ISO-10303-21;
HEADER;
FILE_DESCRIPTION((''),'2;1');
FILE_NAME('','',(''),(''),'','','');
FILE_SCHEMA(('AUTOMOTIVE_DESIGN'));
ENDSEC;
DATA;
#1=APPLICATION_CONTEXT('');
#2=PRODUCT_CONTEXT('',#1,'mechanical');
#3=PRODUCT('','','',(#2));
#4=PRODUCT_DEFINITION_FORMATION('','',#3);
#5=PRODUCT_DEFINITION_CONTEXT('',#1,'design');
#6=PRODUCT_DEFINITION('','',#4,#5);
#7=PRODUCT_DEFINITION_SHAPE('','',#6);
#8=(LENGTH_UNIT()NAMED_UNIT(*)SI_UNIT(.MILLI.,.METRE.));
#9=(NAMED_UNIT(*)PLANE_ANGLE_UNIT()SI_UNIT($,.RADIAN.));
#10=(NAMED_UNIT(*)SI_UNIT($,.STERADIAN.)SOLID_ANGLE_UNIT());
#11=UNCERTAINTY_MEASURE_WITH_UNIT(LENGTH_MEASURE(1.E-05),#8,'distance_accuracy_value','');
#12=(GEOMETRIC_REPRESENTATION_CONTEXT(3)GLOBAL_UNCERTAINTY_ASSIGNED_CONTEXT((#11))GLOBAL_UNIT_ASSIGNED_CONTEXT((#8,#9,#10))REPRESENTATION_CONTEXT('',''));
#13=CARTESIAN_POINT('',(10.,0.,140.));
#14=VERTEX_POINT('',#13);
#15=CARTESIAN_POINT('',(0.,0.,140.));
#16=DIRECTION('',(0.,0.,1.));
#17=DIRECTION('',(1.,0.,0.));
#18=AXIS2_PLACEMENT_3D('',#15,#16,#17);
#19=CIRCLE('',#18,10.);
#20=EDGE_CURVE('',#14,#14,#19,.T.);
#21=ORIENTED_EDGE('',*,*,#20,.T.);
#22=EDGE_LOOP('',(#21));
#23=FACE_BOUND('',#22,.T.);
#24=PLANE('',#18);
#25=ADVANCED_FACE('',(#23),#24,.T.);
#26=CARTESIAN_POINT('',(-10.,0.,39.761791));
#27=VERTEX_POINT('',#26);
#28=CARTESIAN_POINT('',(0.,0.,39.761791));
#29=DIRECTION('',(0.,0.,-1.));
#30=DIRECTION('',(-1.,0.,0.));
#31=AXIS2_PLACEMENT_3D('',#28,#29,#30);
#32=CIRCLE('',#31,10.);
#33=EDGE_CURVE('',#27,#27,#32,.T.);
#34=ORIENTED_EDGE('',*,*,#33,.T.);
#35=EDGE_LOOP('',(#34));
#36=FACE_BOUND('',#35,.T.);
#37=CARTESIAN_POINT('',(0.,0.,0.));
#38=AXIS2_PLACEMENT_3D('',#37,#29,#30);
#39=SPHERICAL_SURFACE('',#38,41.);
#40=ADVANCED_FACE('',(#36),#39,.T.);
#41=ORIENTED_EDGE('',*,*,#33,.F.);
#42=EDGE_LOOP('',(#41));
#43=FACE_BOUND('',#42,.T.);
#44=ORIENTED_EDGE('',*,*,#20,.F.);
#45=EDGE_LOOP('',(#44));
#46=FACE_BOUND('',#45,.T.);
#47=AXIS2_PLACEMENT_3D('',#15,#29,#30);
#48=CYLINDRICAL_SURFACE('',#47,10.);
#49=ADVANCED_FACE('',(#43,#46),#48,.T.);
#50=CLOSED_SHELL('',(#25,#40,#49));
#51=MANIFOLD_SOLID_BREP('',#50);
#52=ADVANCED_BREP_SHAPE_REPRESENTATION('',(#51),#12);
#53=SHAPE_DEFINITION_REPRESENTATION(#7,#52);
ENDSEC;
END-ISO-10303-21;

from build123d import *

# Parameters (mm, degrees)
SKETCH4_R           = 10
BOSS_EXTRUDE1_DEPTH = 140


with BuildPart() as part:
    # Sketch2 → Revolve5 (revolve)
    with BuildSketch(Plane.XY):
        with BuildLine():
            Line((0, 41), (0, -41))
            ThreePointArc((0, -41), (-41, 0), (0, 41))
        make_face()
    revolve(axis=Axis((0, 90.069891633, 0), (0, -1, 0)))

    # Sketch4 → Boss-Extrude1 (add)
    with BuildSketch(Plane.XY):
        with Locations(Location((0, 0, 0), (0, 0, 180))):
            Circle(SKETCH4_R)
    extrude(amount=BOSS_EXTRUDE1_DEPTH)


solid = part.part
